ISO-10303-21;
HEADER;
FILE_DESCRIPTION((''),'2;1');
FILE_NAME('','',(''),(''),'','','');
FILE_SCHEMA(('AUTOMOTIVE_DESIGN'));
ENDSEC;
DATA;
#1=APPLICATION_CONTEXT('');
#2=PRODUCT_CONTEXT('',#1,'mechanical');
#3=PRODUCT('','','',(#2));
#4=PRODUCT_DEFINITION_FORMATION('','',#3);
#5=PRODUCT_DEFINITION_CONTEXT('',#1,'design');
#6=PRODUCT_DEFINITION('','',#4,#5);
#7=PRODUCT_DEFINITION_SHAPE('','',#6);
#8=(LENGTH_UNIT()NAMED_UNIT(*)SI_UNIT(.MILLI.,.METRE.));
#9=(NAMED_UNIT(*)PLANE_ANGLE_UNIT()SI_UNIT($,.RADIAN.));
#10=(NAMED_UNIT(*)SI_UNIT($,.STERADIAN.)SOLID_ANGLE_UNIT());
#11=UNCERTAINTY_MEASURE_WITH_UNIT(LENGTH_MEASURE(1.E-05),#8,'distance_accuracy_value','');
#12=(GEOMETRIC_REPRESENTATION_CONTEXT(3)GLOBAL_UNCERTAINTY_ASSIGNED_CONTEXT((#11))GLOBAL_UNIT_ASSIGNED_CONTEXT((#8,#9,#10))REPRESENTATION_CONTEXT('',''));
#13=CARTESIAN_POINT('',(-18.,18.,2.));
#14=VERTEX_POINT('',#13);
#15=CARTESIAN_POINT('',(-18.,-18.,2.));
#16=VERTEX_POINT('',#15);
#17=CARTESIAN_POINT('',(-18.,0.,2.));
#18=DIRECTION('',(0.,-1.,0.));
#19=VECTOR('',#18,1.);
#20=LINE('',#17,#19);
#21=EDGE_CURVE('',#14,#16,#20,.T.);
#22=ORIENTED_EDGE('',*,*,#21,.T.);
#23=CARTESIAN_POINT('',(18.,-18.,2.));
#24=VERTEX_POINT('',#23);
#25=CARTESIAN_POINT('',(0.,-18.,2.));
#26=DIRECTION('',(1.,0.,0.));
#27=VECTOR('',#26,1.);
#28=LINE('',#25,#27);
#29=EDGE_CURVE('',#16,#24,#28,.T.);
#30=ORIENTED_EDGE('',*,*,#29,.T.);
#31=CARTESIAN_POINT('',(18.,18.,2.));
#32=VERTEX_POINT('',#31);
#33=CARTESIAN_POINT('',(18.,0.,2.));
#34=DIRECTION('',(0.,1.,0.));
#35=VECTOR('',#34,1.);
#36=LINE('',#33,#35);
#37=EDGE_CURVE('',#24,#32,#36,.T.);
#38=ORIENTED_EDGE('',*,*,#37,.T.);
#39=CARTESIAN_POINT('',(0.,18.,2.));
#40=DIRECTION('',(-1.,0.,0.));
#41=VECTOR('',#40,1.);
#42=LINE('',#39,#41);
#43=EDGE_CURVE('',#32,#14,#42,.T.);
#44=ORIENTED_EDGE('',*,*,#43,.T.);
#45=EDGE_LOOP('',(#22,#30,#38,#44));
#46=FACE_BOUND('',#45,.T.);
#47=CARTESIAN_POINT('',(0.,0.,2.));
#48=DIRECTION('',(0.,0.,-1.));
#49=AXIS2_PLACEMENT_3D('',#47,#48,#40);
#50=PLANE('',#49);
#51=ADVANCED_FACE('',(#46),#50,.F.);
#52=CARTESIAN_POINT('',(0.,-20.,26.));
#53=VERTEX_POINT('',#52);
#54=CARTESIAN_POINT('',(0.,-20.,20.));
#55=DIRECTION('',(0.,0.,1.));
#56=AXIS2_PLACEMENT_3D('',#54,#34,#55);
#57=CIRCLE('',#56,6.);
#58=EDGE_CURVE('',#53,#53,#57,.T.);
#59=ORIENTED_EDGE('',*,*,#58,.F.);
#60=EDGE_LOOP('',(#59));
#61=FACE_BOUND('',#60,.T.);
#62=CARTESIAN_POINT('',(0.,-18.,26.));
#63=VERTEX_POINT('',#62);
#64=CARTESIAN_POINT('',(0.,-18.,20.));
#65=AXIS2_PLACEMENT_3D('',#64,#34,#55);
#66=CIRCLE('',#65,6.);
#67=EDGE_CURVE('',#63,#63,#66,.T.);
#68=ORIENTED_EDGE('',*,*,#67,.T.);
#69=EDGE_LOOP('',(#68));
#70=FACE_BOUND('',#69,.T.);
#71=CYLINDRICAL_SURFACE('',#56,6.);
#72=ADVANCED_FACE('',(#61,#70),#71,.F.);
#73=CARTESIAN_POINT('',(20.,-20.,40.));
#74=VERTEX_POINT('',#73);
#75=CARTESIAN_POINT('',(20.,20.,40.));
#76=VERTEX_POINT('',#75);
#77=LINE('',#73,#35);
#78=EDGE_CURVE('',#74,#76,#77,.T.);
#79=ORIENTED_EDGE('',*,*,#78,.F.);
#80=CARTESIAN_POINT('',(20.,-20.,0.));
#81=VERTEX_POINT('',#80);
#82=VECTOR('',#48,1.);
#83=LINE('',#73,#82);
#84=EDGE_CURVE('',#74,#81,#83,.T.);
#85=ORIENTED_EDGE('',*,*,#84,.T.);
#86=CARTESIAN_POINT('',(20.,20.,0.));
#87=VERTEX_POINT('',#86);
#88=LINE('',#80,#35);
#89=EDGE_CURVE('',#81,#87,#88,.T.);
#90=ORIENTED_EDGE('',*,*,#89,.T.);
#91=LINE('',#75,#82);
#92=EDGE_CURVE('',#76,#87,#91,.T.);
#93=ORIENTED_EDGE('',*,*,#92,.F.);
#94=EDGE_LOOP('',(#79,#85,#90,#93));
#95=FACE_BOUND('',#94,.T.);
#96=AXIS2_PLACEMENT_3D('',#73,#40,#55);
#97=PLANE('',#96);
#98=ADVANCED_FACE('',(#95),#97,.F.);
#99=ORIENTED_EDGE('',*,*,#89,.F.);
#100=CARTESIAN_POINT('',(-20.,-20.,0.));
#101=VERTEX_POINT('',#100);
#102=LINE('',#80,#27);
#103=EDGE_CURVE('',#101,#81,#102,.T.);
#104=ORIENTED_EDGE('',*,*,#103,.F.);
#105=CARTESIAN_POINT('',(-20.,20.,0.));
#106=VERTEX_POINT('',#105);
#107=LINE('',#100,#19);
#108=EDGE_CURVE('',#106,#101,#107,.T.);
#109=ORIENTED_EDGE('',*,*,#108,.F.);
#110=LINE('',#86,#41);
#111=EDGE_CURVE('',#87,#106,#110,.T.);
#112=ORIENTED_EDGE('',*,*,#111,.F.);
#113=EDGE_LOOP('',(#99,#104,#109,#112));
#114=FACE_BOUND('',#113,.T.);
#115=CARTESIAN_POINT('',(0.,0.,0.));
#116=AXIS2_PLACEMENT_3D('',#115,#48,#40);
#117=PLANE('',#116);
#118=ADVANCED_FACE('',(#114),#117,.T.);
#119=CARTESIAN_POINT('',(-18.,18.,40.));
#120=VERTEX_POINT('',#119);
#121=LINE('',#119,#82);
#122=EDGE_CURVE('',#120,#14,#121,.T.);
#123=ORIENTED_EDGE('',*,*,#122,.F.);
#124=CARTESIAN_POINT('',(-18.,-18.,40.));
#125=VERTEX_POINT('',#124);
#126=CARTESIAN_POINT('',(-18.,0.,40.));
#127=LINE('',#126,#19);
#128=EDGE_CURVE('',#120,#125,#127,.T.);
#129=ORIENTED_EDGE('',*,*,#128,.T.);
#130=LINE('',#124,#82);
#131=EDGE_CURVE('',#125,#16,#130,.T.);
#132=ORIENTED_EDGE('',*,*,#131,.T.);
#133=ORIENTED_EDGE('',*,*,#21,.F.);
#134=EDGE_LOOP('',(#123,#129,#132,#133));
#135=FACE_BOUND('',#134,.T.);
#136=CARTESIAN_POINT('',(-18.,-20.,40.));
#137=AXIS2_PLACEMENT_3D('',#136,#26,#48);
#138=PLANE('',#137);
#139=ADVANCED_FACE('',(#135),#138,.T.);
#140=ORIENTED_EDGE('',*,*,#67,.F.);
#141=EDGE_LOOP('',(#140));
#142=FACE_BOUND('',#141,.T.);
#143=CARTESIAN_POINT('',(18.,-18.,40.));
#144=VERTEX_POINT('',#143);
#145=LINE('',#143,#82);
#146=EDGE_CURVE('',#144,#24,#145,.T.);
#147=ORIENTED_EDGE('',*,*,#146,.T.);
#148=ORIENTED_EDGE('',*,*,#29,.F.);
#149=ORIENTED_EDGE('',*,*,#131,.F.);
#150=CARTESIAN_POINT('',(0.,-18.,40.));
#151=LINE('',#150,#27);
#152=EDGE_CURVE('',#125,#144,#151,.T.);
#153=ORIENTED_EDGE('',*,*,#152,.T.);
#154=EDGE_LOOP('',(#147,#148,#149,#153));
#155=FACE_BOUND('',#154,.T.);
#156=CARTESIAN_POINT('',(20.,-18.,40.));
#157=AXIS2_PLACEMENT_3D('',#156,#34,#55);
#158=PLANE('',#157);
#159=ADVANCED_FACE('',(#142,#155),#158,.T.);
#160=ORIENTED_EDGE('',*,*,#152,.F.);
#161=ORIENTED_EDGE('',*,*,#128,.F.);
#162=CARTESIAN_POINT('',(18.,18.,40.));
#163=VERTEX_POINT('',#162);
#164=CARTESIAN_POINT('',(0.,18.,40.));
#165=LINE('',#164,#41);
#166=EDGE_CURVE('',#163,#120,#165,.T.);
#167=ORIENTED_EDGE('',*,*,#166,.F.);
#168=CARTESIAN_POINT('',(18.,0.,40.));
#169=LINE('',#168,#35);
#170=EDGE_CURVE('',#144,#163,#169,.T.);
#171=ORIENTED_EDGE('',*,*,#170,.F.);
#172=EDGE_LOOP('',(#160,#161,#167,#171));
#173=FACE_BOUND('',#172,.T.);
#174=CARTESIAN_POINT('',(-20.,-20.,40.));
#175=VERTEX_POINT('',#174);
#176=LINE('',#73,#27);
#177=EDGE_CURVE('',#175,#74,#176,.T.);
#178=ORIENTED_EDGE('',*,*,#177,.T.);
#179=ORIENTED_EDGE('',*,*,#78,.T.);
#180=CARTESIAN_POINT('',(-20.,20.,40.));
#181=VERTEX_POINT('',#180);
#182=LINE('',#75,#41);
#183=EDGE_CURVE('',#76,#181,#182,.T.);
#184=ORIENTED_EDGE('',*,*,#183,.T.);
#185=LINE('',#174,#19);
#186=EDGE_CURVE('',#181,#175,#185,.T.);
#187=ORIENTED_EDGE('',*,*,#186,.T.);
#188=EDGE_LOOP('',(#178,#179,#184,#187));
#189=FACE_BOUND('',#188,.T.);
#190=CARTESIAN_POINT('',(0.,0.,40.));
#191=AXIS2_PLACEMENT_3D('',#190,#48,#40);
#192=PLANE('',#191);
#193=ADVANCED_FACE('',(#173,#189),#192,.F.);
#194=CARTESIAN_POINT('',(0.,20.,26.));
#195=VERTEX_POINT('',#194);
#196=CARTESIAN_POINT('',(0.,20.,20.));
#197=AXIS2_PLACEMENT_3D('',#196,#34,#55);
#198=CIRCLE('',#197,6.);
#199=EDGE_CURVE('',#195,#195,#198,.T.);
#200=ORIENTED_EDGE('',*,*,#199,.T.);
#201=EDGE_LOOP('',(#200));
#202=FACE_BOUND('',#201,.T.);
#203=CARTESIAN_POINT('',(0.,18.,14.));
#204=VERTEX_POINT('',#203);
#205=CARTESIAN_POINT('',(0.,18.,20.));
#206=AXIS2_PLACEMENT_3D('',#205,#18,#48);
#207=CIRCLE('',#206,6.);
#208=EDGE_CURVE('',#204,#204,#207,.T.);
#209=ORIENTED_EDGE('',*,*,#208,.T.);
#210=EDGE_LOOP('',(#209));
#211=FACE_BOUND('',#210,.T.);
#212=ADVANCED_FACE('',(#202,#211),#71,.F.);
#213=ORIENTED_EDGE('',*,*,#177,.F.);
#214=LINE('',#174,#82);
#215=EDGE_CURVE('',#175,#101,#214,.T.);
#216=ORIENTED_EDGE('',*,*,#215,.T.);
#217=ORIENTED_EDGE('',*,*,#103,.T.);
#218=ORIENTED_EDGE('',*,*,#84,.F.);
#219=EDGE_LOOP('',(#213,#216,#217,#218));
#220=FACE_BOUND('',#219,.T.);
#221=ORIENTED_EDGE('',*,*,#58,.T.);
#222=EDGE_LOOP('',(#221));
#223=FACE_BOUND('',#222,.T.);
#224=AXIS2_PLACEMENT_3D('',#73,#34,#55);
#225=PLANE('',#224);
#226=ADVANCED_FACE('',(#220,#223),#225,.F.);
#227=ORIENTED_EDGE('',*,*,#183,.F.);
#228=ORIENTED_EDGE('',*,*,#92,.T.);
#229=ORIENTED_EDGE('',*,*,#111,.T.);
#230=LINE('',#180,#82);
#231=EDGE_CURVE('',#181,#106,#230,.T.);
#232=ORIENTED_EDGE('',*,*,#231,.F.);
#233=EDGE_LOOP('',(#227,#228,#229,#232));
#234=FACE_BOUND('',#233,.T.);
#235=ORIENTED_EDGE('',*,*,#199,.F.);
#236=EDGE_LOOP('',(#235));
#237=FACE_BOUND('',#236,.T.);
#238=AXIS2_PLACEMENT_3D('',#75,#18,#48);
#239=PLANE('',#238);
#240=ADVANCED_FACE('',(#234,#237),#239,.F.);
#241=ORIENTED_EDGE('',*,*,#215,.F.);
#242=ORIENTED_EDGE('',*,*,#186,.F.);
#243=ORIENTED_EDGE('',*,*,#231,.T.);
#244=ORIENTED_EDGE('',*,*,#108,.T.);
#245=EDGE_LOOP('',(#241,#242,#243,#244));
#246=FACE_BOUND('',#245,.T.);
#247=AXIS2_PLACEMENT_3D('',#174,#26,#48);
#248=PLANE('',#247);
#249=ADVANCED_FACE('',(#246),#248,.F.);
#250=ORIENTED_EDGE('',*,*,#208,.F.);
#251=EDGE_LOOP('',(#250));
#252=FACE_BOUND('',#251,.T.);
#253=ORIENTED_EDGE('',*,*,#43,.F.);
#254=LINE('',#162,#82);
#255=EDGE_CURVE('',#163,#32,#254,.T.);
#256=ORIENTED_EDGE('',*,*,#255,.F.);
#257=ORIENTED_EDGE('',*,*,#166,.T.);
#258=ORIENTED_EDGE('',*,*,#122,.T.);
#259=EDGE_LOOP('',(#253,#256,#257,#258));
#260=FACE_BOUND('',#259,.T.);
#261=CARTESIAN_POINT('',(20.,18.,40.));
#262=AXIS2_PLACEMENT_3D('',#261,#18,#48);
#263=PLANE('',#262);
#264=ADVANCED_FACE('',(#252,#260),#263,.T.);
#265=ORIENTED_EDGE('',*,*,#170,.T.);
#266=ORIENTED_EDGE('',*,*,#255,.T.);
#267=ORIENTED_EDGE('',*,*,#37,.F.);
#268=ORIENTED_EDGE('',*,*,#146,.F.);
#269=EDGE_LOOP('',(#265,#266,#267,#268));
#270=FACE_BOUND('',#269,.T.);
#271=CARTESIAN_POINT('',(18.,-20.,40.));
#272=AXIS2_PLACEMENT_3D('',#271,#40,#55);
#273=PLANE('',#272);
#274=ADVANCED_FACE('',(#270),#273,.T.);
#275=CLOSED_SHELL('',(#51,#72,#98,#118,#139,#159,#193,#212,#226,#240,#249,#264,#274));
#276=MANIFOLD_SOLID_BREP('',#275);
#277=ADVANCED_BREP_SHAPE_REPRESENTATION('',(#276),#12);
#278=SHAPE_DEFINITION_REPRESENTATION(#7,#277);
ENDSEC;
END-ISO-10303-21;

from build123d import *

# Parameters (mm, degrees)
SKETCH1_W           = 40
SKETCH1_H           = 40
BOSS_EXTRUDE1_DEPTH = 40
SHELL1_T            = -2
SKETCH2_R           = 6
CUT_EXTRUDE1_DEPTH  = 40


with BuildPart() as part:
    # Sketch1 → Boss-Extrude1 (new body)
    with BuildSketch(Plane(origin=(0, 0, 0), x_dir=(0, 1, 0), z_dir=(0, 0, 1))):
        Rectangle(SKETCH1_W, SKETCH1_H)
    extrude(amount=BOSS_EXTRUDE1_DEPTH)

    # Shell1
    shell1_openings = [part.faces().sort_by_distance(p)[0] for p in [
        (0, 0, 40),
    ]]
    offset(amount=SHELL1_T, openings=shell1_openings, kind=Kind.INTERSECTION)

    # Sketch2 → Cut-Extrude1 (cut)
    with BuildSketch(Plane(origin=(0, 20, 0), x_dir=(-1, 0, 0), z_dir=(0, 1, 0))):
        with Locations((0, 20)):
            Circle(SKETCH2_R)
    extrude(amount=-CUT_EXTRUDE1_DEPTH, mode=Mode.SUBTRACT)


solid = part.part
